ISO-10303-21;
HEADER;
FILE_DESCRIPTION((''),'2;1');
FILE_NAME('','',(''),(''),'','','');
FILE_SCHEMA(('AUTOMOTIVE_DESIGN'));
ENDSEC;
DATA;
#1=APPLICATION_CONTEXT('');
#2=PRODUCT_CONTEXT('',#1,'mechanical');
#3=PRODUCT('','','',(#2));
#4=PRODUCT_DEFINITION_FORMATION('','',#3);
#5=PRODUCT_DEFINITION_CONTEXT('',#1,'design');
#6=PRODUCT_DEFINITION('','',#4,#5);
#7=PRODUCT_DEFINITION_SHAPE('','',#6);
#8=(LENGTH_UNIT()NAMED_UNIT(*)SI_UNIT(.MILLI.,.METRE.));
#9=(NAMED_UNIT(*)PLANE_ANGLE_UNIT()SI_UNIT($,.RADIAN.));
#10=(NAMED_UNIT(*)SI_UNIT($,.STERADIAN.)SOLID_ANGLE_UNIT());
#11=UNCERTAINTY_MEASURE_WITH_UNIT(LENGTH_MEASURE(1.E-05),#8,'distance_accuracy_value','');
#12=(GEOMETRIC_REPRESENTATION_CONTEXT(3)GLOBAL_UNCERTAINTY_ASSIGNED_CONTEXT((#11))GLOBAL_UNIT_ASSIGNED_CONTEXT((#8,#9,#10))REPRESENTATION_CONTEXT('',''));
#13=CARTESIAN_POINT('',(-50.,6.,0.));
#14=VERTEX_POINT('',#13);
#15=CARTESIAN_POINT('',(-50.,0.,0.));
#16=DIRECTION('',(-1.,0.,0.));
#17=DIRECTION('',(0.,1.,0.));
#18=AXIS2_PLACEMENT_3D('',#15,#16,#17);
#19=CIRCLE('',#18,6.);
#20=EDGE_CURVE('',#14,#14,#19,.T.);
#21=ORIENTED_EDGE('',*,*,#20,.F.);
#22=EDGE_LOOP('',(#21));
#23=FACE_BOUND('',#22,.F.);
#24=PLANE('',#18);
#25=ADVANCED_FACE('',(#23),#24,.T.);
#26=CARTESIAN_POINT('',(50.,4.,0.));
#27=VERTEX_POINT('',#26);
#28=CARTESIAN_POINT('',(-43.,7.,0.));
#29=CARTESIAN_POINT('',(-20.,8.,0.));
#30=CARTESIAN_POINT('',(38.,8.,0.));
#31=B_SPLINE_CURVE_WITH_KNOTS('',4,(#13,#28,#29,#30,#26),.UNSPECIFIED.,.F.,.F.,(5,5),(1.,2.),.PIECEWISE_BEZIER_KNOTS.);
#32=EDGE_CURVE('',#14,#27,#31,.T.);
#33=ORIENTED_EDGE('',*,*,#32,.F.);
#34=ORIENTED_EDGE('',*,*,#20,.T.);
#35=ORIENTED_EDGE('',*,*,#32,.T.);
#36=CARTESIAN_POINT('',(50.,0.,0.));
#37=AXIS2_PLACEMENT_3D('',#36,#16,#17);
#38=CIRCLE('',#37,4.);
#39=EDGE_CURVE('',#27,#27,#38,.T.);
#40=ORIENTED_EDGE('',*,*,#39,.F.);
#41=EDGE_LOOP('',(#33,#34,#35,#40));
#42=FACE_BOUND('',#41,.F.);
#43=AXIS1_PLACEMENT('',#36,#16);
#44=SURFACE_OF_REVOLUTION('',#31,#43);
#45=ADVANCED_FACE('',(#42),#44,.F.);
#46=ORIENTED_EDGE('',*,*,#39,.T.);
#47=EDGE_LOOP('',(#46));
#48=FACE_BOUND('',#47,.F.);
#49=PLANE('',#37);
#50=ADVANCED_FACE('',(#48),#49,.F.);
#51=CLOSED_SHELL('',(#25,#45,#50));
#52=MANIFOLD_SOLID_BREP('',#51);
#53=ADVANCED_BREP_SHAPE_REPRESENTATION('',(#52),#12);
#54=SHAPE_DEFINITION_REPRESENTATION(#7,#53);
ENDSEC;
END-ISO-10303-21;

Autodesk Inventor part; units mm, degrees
ref_plane "YZ Plane" through (0, 0, 0) normal (1, 0, 0) x (0, 1, 0)
ref_plane "XZ Plane" through (0, 0, 0) normal (0, 1, 0) x (-1, 0, 0)
ref_plane "XY Plane" through (0, 0, 0) normal (0, 0, 1) x (1, 0, 0)
sketch "Sketch3" plane through (0, 0, 0) normal (0, 0, 1) x (1, 0, 0)
  line L0 (50, 4) -> (50, 0)
  line L1 (50, 0) -> (-50, 0)
  line L2 (-50, 0) -> (-50, 6)
  line L3 (-50, 6) -> (-43, 7) construction
  line L4 (-43, 7) -> (-20, 8) construction
  line L5 (-20, 8) -> (38, 8) construction
  line L6 (38, 8) -> (50, 4) construction
  spline S0 degree 4 poles (-50, 6) (-43, 7) (-20, 8) (38, 8) (50, 4) knots 1 1 1 1 1 2 2 2 2 2
  point P0 (0, 0)
  dimension "d1" = 100
  dimension "d2" = 6
  dimension "d3" = 4
  dimension "d4" = 7
  dimension "d5" = 8
  dimension "d6" = 8
  dimension "d7" = 38
  dimension "d8" = 20
  dimension "d9" = 43
  dimension "d10" = 50
revolve "Revolution1" add sketch "Sketch3" angle 360 about axis through (50, 0, 0) along (-1, 0, 0)
equation "\"d10\" = 0.5 * d1"
properties part number "Part1.iptarker"
